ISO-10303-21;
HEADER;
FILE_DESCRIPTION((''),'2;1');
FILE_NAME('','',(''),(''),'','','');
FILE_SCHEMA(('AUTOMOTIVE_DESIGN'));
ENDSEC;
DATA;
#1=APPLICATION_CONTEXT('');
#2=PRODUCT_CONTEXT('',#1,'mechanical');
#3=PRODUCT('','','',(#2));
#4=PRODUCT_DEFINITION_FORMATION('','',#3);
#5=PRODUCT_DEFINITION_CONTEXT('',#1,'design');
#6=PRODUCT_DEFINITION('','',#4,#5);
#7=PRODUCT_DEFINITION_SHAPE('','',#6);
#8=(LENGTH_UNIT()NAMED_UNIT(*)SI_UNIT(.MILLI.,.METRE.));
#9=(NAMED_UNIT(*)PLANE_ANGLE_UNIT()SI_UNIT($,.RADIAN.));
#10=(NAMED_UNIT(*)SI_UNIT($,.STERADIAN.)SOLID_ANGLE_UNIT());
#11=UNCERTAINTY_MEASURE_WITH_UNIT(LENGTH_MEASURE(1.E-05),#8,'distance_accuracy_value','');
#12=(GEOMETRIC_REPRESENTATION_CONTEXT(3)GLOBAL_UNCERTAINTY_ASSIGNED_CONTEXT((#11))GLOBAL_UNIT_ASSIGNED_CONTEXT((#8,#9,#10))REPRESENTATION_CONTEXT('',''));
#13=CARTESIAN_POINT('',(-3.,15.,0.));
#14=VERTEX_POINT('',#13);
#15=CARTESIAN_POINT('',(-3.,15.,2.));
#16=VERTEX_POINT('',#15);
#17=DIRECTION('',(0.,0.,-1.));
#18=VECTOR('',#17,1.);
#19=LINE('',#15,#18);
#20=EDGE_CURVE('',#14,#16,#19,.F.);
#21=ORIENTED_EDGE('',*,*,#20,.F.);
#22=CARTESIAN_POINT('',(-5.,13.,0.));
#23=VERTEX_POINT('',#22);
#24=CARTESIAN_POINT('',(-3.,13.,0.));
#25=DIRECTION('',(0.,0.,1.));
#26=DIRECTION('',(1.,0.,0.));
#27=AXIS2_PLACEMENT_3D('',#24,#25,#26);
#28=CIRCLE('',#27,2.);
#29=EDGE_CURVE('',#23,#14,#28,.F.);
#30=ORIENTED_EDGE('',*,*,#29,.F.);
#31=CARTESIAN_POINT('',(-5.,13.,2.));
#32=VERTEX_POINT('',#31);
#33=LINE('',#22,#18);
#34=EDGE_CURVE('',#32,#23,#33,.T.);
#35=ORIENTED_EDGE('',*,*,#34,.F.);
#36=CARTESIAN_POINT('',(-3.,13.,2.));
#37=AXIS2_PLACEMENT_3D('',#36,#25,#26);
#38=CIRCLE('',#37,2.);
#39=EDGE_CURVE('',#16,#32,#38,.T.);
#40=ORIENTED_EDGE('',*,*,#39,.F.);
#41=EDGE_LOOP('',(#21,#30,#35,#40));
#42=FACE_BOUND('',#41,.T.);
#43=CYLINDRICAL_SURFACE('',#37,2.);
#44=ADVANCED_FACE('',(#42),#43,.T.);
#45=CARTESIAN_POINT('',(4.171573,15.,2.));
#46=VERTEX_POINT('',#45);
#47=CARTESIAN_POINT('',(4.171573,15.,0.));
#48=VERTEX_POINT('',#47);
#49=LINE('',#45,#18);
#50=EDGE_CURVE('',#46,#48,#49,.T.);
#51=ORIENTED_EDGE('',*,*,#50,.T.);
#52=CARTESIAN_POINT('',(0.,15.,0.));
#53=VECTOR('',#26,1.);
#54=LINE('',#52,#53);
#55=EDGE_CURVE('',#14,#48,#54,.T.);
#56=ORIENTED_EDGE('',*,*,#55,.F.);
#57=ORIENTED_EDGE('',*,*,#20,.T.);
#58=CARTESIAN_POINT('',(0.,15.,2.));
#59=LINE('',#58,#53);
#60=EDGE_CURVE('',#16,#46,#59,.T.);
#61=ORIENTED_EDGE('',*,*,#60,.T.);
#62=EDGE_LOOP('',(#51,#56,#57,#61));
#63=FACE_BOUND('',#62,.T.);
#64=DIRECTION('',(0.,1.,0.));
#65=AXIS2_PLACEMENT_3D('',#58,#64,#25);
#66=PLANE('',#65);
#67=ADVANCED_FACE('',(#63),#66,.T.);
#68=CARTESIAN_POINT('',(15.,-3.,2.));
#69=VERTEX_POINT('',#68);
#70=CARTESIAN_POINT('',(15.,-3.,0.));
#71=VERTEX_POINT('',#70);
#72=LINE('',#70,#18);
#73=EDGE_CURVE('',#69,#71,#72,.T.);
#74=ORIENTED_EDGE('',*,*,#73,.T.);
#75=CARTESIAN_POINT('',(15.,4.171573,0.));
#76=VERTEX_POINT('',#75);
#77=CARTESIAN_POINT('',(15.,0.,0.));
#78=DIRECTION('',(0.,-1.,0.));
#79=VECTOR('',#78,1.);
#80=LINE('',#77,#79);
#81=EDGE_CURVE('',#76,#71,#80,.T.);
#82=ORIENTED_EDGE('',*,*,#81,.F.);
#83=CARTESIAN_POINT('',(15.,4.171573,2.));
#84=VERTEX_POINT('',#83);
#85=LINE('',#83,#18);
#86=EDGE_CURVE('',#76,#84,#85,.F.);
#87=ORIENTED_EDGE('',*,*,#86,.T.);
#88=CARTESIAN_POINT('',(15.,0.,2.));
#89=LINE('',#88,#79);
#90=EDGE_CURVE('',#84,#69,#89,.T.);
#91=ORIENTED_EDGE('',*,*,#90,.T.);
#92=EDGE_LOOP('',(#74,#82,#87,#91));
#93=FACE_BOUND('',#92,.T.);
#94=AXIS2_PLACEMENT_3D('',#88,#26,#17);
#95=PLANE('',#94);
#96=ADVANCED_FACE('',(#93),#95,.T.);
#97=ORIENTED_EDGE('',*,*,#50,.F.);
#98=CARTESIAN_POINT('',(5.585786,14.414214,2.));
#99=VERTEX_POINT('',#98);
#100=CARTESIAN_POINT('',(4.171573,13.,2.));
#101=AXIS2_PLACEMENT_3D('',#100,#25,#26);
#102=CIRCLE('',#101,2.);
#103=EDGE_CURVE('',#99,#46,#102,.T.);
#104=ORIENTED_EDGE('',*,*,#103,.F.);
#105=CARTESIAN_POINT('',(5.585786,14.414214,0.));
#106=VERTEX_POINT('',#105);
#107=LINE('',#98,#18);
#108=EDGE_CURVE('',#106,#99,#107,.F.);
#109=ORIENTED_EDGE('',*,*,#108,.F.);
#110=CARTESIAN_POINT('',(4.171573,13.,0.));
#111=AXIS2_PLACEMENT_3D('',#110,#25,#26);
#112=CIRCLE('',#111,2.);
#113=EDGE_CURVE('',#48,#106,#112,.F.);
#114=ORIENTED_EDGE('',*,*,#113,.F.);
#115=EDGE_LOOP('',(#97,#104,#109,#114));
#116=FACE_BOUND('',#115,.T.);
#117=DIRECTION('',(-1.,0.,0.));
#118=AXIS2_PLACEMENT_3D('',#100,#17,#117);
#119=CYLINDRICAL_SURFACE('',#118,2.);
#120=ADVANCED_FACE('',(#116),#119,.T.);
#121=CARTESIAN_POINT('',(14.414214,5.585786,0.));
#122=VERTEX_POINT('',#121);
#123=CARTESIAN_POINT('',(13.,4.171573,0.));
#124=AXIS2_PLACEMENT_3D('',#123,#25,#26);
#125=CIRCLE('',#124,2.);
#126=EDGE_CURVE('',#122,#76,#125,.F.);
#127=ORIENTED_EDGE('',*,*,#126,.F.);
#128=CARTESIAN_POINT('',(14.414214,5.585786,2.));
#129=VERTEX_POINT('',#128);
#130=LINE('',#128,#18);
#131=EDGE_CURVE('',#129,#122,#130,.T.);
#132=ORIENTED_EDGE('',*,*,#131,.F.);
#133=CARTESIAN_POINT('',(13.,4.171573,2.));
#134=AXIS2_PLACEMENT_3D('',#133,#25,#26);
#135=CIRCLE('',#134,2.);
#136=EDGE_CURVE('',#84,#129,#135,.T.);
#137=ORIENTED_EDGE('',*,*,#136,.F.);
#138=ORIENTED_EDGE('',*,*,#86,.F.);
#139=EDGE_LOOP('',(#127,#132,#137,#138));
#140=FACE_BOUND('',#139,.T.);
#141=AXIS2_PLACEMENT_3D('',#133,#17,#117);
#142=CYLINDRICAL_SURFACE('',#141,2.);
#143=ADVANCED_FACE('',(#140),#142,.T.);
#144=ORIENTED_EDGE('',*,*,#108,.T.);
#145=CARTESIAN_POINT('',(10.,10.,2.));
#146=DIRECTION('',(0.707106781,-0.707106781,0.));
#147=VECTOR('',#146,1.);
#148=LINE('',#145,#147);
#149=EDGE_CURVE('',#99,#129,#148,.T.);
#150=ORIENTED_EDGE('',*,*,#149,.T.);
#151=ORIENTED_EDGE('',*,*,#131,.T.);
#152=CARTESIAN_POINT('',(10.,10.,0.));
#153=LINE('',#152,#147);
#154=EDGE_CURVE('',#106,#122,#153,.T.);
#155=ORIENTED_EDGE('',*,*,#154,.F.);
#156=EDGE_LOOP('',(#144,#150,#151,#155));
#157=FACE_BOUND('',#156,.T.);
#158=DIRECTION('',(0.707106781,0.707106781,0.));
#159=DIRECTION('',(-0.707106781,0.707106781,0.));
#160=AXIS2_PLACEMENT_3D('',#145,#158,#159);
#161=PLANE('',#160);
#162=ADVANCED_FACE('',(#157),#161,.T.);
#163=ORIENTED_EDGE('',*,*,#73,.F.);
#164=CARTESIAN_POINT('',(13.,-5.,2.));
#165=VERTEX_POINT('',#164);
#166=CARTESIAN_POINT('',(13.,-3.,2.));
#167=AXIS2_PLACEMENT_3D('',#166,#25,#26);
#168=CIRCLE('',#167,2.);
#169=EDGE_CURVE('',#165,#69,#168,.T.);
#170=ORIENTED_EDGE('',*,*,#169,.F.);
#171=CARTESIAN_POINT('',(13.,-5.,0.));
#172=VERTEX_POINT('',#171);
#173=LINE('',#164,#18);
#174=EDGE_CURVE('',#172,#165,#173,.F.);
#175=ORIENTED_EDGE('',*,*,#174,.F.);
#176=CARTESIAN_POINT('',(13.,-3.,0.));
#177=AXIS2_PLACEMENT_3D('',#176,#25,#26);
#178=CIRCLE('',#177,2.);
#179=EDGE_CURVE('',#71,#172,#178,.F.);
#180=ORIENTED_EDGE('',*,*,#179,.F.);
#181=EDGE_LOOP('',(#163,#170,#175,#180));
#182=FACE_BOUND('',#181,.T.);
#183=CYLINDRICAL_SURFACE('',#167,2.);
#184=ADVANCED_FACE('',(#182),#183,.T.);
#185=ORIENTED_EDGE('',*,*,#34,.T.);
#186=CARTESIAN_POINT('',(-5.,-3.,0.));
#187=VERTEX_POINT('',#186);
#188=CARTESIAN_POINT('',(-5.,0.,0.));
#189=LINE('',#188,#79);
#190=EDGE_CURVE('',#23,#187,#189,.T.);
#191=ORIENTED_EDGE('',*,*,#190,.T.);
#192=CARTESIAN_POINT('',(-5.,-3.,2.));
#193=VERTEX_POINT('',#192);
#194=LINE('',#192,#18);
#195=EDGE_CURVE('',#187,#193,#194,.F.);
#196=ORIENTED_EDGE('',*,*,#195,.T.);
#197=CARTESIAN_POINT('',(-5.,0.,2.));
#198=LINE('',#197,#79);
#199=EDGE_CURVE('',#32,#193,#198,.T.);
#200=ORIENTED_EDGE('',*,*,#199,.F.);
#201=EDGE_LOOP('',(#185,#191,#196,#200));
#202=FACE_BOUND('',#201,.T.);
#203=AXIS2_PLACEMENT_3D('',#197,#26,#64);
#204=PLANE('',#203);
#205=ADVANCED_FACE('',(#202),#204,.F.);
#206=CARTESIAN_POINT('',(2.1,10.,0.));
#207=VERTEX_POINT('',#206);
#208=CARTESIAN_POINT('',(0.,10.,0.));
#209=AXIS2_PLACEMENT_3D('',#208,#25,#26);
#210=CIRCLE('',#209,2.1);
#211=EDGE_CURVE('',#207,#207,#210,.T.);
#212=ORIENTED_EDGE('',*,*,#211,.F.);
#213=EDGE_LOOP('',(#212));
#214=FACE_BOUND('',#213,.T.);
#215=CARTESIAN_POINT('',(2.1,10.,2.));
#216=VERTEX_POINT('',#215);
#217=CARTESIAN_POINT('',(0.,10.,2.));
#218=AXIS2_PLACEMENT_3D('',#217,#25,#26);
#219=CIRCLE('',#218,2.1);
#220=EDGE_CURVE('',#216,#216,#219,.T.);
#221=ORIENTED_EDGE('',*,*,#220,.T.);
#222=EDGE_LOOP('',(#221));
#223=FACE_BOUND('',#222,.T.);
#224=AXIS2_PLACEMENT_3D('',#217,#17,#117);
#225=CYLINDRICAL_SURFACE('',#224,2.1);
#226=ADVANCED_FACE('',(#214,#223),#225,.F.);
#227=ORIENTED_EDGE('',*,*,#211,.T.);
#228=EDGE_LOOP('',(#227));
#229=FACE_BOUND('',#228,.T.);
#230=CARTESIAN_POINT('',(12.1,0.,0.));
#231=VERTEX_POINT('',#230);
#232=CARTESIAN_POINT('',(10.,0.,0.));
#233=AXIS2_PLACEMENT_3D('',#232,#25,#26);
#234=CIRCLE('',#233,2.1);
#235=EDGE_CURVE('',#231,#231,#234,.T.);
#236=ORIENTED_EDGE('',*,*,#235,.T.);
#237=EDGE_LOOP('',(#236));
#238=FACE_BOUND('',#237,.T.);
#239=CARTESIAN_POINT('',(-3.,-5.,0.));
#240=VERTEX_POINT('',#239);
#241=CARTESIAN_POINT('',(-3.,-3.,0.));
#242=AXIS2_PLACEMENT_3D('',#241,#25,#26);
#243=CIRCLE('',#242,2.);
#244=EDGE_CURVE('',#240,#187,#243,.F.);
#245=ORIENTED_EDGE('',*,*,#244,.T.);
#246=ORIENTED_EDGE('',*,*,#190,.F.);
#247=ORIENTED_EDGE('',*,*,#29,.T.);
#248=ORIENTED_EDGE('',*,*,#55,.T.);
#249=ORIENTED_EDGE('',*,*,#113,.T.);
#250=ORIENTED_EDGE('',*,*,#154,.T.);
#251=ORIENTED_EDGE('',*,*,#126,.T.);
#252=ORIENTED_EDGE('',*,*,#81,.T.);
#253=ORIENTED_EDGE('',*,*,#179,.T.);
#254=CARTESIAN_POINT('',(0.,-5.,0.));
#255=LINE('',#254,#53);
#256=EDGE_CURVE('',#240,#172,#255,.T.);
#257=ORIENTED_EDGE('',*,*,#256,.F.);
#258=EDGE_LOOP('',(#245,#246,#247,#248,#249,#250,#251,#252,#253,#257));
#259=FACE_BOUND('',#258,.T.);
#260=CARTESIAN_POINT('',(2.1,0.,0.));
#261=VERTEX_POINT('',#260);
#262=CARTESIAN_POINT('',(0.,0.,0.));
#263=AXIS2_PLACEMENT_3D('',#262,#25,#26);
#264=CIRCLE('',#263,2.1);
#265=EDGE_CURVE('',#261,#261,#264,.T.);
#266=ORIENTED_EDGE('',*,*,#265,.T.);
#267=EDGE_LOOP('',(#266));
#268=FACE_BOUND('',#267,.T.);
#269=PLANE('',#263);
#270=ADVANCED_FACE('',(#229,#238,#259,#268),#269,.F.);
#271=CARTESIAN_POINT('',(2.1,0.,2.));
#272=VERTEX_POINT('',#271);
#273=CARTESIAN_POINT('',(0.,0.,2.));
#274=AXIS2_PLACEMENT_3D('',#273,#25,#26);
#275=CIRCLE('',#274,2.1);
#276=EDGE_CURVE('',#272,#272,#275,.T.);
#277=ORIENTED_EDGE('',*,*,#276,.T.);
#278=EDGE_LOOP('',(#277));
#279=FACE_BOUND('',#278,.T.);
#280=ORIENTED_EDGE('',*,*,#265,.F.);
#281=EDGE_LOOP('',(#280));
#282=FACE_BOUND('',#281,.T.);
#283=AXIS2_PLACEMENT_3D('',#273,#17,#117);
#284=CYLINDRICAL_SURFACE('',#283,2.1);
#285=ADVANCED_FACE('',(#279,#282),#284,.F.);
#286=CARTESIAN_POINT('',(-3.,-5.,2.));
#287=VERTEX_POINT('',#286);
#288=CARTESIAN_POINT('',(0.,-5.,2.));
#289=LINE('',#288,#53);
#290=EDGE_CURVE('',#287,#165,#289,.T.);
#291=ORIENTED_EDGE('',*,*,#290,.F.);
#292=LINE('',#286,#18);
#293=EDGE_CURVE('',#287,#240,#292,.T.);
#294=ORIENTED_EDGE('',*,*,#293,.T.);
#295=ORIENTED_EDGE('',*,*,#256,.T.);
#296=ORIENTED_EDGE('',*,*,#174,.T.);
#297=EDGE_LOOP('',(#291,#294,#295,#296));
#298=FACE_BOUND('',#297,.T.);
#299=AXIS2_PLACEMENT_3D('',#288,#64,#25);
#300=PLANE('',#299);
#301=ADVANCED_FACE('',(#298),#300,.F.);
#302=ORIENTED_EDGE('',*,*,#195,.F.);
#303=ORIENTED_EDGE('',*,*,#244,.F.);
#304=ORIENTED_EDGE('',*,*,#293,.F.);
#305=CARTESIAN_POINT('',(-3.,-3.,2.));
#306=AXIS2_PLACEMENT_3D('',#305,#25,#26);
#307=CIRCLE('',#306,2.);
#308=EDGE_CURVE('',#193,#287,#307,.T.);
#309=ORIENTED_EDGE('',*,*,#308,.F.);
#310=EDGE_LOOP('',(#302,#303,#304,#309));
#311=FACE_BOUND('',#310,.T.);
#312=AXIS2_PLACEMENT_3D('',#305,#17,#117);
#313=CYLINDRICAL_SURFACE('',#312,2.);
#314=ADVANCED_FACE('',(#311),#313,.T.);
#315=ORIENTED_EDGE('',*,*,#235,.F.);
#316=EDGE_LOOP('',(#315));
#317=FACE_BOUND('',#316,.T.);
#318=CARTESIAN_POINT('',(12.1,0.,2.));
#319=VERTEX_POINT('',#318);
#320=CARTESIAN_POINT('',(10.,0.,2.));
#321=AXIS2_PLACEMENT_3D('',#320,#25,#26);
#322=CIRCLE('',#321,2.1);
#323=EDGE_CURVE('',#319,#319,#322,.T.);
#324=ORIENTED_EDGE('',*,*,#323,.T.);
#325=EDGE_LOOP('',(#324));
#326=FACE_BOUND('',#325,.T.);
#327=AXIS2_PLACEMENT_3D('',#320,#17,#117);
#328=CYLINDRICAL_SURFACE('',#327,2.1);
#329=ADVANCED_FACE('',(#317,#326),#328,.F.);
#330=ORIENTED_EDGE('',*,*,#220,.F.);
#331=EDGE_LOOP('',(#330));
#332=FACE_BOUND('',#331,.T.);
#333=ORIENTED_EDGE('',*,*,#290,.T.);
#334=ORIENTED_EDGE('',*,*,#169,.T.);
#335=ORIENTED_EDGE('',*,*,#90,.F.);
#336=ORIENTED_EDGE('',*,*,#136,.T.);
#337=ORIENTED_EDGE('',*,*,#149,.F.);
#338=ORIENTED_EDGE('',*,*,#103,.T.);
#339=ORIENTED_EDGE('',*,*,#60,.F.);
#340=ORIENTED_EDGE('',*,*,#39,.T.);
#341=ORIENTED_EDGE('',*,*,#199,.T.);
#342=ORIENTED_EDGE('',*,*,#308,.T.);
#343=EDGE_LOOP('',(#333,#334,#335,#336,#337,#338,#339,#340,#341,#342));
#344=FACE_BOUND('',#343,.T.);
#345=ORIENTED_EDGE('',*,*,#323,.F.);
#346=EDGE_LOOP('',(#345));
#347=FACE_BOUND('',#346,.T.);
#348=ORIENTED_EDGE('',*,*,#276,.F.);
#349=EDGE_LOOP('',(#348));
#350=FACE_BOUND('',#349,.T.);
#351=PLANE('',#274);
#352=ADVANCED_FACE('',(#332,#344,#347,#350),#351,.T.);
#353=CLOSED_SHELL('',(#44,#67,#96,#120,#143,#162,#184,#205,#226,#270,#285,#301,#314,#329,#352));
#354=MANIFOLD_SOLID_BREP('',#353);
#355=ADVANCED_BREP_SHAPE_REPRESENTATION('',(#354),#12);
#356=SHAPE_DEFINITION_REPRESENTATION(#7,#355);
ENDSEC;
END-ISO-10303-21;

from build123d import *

# Parameters (mm, degrees)
SKETCH_1_W      = 10
SKETCH_1_H      = 10
SKETCH_1_R      = 2.1
EXTRUDE_1_DEPTH = 2
FILLET_1_R      = 2


with BuildPart() as part:
    # ｽｹｯﾁ1 → ﾎﾞｽ - 押し出し1 (new body)
    # profile 1 of 4: a face of its own
    with BuildSketch(Plane.XY):
        with Locations((0, 10)):
            Rectangle(SKETCH_1_W, SKETCH_1_H)
        with Locations((0, 10)):
            Circle(SKETCH_1_R, mode=Mode.SUBTRACT)
    # profile 2 of 4: a face of its own
    with BuildSketch(Plane.XY):
        Polygon((15, 5), (5, 15), (5, 5), align=None)
    # profile 3 of 4: a face of its own
    with BuildSketch(Plane.XY):
        Rectangle(SKETCH_1_W, SKETCH_1_H)
        Circle(SKETCH_1_R, mode=Mode.SUBTRACT)
    # profile 4 of 4: a face of its own
    with BuildSketch(Plane.XY):
        with Locations((10, 0)):
            Rectangle(SKETCH_1_W, SKETCH_1_H)
        with Locations((10, 0)):
            Circle(SKETCH_1_R, mode=Mode.SUBTRACT)
    extrude(amount=EXTRUDE_1_DEPTH)

    # ﾌｨﾚｯﾄ1
    fillet_1_edges = [part.edges().sort_by_distance(p)[0] for p in [
        (-5, -5, 1),
        (-5, 15, 1),
        (5, 15, 1),
        (15, 5, 1),
        (15, -5, 1),
    ]]
    fillet(fillet_1_edges, radius=FILLET_1_R)


solid = part.part
